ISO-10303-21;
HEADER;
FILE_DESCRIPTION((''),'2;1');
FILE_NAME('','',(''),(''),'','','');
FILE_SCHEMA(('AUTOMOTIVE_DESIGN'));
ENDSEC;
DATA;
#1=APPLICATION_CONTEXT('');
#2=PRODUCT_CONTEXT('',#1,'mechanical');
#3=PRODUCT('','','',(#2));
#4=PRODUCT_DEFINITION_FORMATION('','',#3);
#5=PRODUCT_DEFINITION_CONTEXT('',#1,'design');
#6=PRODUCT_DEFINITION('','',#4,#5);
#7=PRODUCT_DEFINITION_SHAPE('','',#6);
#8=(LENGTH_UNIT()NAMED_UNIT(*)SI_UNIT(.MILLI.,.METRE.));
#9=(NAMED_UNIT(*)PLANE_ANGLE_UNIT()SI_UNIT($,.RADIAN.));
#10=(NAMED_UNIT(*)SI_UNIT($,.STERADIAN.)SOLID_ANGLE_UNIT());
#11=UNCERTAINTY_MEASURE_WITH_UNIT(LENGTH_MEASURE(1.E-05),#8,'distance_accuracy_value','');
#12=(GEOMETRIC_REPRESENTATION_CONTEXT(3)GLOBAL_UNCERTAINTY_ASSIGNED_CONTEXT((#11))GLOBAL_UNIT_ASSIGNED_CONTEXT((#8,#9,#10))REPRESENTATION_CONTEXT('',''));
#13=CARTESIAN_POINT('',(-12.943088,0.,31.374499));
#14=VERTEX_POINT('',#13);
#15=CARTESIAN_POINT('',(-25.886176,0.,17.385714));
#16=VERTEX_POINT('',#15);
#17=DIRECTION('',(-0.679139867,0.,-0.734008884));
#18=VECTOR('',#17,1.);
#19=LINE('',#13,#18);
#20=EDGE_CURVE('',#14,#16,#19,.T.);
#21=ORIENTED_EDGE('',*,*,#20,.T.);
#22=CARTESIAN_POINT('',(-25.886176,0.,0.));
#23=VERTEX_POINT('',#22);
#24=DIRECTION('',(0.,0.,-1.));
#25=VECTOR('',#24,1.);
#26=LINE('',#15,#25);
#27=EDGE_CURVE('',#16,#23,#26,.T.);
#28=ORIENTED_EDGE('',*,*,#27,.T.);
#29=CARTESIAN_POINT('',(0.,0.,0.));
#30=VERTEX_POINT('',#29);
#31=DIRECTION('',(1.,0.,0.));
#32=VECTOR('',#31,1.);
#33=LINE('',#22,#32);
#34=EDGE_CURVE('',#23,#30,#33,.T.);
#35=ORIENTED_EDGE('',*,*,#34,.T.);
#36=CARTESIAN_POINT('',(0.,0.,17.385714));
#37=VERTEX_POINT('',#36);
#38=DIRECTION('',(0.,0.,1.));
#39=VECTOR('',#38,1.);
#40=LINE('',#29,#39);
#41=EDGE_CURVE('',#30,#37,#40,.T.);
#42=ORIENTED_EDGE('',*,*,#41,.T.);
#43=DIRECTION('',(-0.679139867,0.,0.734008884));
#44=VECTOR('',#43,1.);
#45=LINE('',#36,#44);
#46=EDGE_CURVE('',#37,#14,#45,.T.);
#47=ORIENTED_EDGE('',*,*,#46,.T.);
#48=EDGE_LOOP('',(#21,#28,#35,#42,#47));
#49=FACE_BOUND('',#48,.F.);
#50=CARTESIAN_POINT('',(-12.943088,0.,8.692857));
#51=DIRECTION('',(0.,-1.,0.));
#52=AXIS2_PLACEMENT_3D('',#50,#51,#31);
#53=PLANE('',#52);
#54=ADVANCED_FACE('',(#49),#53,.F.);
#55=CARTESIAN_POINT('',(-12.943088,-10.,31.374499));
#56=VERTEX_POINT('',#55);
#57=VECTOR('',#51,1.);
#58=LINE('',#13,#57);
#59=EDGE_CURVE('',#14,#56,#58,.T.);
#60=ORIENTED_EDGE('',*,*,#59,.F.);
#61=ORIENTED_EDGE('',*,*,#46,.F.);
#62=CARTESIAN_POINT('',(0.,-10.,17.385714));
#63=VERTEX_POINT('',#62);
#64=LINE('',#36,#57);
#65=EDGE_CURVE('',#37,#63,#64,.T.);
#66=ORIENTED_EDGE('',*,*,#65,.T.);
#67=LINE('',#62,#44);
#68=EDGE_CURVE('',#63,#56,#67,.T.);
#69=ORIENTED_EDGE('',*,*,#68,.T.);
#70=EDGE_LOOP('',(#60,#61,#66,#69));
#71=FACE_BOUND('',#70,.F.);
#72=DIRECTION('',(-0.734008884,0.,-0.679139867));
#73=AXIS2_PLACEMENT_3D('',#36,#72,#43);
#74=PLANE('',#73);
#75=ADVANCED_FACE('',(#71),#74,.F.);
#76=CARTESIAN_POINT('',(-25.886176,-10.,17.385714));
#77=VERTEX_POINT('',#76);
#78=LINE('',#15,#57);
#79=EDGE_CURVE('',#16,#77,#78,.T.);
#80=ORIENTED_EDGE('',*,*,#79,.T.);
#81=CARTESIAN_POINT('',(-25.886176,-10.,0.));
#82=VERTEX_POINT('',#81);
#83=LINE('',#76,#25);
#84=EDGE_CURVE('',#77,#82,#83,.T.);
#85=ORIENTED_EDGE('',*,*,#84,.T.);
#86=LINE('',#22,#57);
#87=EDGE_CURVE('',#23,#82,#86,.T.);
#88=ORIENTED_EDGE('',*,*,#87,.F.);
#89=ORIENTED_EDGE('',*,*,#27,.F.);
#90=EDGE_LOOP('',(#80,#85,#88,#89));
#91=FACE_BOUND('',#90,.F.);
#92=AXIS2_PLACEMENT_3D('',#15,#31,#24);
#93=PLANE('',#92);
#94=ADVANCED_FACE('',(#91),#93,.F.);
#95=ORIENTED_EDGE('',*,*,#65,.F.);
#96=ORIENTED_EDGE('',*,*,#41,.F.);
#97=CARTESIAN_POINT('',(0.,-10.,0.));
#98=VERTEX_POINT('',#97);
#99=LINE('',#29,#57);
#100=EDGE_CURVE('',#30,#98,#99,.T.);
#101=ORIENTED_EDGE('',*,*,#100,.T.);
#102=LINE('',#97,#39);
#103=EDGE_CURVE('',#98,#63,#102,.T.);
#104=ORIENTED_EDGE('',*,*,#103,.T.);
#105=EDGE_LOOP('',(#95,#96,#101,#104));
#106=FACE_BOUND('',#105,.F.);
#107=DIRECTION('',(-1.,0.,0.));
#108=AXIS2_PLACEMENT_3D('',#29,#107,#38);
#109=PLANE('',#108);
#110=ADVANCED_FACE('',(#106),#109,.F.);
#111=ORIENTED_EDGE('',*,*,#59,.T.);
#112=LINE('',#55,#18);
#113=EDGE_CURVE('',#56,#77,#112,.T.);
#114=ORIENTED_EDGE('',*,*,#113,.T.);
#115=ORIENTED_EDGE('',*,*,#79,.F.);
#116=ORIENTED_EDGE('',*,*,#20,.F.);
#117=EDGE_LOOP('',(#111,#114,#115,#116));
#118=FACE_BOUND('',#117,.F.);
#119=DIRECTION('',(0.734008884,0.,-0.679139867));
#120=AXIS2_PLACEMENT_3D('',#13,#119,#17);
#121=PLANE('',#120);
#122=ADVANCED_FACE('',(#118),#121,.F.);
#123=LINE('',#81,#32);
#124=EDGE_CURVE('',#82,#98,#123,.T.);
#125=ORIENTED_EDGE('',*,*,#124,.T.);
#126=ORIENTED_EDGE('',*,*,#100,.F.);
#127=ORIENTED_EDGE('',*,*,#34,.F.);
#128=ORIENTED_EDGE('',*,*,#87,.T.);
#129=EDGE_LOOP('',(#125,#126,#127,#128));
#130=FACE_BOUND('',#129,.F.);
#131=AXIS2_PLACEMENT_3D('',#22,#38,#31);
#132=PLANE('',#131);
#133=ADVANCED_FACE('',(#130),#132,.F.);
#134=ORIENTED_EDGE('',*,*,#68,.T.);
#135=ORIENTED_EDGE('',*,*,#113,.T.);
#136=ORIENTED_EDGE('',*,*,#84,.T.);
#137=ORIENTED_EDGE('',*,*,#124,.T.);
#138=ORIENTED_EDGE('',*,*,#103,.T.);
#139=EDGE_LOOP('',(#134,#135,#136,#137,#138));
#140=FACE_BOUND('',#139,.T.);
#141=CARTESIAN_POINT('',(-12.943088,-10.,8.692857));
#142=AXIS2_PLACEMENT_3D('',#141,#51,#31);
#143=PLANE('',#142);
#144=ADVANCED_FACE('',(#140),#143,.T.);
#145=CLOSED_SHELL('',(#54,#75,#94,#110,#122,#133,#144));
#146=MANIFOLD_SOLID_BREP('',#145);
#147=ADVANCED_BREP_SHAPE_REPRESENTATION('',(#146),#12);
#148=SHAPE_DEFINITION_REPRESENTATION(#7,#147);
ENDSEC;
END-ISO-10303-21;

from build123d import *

# Parameters (mm, degrees)
F1_DEPTH = 10


with BuildPart() as f1:
    # F0 (on Front) → F1 (new body)
    with BuildSketch(Plane.XZ):
        Polygon((-25.886176, 0), (0, 0), (0, 17.385714), (-12.943088, 17.385714), (-25.886176, 17.385714), align=None)
        Polygon((-12.943088, 17.385714), (0, 17.385714), (-12.943088, 31.374499), align=None)
        Polygon((-12.943088, 31.374499), (-25.886176, 17.385714), (-12.943088, 17.385714), align=None)
    extrude(amount=F1_DEPTH)


solid = f1.part
